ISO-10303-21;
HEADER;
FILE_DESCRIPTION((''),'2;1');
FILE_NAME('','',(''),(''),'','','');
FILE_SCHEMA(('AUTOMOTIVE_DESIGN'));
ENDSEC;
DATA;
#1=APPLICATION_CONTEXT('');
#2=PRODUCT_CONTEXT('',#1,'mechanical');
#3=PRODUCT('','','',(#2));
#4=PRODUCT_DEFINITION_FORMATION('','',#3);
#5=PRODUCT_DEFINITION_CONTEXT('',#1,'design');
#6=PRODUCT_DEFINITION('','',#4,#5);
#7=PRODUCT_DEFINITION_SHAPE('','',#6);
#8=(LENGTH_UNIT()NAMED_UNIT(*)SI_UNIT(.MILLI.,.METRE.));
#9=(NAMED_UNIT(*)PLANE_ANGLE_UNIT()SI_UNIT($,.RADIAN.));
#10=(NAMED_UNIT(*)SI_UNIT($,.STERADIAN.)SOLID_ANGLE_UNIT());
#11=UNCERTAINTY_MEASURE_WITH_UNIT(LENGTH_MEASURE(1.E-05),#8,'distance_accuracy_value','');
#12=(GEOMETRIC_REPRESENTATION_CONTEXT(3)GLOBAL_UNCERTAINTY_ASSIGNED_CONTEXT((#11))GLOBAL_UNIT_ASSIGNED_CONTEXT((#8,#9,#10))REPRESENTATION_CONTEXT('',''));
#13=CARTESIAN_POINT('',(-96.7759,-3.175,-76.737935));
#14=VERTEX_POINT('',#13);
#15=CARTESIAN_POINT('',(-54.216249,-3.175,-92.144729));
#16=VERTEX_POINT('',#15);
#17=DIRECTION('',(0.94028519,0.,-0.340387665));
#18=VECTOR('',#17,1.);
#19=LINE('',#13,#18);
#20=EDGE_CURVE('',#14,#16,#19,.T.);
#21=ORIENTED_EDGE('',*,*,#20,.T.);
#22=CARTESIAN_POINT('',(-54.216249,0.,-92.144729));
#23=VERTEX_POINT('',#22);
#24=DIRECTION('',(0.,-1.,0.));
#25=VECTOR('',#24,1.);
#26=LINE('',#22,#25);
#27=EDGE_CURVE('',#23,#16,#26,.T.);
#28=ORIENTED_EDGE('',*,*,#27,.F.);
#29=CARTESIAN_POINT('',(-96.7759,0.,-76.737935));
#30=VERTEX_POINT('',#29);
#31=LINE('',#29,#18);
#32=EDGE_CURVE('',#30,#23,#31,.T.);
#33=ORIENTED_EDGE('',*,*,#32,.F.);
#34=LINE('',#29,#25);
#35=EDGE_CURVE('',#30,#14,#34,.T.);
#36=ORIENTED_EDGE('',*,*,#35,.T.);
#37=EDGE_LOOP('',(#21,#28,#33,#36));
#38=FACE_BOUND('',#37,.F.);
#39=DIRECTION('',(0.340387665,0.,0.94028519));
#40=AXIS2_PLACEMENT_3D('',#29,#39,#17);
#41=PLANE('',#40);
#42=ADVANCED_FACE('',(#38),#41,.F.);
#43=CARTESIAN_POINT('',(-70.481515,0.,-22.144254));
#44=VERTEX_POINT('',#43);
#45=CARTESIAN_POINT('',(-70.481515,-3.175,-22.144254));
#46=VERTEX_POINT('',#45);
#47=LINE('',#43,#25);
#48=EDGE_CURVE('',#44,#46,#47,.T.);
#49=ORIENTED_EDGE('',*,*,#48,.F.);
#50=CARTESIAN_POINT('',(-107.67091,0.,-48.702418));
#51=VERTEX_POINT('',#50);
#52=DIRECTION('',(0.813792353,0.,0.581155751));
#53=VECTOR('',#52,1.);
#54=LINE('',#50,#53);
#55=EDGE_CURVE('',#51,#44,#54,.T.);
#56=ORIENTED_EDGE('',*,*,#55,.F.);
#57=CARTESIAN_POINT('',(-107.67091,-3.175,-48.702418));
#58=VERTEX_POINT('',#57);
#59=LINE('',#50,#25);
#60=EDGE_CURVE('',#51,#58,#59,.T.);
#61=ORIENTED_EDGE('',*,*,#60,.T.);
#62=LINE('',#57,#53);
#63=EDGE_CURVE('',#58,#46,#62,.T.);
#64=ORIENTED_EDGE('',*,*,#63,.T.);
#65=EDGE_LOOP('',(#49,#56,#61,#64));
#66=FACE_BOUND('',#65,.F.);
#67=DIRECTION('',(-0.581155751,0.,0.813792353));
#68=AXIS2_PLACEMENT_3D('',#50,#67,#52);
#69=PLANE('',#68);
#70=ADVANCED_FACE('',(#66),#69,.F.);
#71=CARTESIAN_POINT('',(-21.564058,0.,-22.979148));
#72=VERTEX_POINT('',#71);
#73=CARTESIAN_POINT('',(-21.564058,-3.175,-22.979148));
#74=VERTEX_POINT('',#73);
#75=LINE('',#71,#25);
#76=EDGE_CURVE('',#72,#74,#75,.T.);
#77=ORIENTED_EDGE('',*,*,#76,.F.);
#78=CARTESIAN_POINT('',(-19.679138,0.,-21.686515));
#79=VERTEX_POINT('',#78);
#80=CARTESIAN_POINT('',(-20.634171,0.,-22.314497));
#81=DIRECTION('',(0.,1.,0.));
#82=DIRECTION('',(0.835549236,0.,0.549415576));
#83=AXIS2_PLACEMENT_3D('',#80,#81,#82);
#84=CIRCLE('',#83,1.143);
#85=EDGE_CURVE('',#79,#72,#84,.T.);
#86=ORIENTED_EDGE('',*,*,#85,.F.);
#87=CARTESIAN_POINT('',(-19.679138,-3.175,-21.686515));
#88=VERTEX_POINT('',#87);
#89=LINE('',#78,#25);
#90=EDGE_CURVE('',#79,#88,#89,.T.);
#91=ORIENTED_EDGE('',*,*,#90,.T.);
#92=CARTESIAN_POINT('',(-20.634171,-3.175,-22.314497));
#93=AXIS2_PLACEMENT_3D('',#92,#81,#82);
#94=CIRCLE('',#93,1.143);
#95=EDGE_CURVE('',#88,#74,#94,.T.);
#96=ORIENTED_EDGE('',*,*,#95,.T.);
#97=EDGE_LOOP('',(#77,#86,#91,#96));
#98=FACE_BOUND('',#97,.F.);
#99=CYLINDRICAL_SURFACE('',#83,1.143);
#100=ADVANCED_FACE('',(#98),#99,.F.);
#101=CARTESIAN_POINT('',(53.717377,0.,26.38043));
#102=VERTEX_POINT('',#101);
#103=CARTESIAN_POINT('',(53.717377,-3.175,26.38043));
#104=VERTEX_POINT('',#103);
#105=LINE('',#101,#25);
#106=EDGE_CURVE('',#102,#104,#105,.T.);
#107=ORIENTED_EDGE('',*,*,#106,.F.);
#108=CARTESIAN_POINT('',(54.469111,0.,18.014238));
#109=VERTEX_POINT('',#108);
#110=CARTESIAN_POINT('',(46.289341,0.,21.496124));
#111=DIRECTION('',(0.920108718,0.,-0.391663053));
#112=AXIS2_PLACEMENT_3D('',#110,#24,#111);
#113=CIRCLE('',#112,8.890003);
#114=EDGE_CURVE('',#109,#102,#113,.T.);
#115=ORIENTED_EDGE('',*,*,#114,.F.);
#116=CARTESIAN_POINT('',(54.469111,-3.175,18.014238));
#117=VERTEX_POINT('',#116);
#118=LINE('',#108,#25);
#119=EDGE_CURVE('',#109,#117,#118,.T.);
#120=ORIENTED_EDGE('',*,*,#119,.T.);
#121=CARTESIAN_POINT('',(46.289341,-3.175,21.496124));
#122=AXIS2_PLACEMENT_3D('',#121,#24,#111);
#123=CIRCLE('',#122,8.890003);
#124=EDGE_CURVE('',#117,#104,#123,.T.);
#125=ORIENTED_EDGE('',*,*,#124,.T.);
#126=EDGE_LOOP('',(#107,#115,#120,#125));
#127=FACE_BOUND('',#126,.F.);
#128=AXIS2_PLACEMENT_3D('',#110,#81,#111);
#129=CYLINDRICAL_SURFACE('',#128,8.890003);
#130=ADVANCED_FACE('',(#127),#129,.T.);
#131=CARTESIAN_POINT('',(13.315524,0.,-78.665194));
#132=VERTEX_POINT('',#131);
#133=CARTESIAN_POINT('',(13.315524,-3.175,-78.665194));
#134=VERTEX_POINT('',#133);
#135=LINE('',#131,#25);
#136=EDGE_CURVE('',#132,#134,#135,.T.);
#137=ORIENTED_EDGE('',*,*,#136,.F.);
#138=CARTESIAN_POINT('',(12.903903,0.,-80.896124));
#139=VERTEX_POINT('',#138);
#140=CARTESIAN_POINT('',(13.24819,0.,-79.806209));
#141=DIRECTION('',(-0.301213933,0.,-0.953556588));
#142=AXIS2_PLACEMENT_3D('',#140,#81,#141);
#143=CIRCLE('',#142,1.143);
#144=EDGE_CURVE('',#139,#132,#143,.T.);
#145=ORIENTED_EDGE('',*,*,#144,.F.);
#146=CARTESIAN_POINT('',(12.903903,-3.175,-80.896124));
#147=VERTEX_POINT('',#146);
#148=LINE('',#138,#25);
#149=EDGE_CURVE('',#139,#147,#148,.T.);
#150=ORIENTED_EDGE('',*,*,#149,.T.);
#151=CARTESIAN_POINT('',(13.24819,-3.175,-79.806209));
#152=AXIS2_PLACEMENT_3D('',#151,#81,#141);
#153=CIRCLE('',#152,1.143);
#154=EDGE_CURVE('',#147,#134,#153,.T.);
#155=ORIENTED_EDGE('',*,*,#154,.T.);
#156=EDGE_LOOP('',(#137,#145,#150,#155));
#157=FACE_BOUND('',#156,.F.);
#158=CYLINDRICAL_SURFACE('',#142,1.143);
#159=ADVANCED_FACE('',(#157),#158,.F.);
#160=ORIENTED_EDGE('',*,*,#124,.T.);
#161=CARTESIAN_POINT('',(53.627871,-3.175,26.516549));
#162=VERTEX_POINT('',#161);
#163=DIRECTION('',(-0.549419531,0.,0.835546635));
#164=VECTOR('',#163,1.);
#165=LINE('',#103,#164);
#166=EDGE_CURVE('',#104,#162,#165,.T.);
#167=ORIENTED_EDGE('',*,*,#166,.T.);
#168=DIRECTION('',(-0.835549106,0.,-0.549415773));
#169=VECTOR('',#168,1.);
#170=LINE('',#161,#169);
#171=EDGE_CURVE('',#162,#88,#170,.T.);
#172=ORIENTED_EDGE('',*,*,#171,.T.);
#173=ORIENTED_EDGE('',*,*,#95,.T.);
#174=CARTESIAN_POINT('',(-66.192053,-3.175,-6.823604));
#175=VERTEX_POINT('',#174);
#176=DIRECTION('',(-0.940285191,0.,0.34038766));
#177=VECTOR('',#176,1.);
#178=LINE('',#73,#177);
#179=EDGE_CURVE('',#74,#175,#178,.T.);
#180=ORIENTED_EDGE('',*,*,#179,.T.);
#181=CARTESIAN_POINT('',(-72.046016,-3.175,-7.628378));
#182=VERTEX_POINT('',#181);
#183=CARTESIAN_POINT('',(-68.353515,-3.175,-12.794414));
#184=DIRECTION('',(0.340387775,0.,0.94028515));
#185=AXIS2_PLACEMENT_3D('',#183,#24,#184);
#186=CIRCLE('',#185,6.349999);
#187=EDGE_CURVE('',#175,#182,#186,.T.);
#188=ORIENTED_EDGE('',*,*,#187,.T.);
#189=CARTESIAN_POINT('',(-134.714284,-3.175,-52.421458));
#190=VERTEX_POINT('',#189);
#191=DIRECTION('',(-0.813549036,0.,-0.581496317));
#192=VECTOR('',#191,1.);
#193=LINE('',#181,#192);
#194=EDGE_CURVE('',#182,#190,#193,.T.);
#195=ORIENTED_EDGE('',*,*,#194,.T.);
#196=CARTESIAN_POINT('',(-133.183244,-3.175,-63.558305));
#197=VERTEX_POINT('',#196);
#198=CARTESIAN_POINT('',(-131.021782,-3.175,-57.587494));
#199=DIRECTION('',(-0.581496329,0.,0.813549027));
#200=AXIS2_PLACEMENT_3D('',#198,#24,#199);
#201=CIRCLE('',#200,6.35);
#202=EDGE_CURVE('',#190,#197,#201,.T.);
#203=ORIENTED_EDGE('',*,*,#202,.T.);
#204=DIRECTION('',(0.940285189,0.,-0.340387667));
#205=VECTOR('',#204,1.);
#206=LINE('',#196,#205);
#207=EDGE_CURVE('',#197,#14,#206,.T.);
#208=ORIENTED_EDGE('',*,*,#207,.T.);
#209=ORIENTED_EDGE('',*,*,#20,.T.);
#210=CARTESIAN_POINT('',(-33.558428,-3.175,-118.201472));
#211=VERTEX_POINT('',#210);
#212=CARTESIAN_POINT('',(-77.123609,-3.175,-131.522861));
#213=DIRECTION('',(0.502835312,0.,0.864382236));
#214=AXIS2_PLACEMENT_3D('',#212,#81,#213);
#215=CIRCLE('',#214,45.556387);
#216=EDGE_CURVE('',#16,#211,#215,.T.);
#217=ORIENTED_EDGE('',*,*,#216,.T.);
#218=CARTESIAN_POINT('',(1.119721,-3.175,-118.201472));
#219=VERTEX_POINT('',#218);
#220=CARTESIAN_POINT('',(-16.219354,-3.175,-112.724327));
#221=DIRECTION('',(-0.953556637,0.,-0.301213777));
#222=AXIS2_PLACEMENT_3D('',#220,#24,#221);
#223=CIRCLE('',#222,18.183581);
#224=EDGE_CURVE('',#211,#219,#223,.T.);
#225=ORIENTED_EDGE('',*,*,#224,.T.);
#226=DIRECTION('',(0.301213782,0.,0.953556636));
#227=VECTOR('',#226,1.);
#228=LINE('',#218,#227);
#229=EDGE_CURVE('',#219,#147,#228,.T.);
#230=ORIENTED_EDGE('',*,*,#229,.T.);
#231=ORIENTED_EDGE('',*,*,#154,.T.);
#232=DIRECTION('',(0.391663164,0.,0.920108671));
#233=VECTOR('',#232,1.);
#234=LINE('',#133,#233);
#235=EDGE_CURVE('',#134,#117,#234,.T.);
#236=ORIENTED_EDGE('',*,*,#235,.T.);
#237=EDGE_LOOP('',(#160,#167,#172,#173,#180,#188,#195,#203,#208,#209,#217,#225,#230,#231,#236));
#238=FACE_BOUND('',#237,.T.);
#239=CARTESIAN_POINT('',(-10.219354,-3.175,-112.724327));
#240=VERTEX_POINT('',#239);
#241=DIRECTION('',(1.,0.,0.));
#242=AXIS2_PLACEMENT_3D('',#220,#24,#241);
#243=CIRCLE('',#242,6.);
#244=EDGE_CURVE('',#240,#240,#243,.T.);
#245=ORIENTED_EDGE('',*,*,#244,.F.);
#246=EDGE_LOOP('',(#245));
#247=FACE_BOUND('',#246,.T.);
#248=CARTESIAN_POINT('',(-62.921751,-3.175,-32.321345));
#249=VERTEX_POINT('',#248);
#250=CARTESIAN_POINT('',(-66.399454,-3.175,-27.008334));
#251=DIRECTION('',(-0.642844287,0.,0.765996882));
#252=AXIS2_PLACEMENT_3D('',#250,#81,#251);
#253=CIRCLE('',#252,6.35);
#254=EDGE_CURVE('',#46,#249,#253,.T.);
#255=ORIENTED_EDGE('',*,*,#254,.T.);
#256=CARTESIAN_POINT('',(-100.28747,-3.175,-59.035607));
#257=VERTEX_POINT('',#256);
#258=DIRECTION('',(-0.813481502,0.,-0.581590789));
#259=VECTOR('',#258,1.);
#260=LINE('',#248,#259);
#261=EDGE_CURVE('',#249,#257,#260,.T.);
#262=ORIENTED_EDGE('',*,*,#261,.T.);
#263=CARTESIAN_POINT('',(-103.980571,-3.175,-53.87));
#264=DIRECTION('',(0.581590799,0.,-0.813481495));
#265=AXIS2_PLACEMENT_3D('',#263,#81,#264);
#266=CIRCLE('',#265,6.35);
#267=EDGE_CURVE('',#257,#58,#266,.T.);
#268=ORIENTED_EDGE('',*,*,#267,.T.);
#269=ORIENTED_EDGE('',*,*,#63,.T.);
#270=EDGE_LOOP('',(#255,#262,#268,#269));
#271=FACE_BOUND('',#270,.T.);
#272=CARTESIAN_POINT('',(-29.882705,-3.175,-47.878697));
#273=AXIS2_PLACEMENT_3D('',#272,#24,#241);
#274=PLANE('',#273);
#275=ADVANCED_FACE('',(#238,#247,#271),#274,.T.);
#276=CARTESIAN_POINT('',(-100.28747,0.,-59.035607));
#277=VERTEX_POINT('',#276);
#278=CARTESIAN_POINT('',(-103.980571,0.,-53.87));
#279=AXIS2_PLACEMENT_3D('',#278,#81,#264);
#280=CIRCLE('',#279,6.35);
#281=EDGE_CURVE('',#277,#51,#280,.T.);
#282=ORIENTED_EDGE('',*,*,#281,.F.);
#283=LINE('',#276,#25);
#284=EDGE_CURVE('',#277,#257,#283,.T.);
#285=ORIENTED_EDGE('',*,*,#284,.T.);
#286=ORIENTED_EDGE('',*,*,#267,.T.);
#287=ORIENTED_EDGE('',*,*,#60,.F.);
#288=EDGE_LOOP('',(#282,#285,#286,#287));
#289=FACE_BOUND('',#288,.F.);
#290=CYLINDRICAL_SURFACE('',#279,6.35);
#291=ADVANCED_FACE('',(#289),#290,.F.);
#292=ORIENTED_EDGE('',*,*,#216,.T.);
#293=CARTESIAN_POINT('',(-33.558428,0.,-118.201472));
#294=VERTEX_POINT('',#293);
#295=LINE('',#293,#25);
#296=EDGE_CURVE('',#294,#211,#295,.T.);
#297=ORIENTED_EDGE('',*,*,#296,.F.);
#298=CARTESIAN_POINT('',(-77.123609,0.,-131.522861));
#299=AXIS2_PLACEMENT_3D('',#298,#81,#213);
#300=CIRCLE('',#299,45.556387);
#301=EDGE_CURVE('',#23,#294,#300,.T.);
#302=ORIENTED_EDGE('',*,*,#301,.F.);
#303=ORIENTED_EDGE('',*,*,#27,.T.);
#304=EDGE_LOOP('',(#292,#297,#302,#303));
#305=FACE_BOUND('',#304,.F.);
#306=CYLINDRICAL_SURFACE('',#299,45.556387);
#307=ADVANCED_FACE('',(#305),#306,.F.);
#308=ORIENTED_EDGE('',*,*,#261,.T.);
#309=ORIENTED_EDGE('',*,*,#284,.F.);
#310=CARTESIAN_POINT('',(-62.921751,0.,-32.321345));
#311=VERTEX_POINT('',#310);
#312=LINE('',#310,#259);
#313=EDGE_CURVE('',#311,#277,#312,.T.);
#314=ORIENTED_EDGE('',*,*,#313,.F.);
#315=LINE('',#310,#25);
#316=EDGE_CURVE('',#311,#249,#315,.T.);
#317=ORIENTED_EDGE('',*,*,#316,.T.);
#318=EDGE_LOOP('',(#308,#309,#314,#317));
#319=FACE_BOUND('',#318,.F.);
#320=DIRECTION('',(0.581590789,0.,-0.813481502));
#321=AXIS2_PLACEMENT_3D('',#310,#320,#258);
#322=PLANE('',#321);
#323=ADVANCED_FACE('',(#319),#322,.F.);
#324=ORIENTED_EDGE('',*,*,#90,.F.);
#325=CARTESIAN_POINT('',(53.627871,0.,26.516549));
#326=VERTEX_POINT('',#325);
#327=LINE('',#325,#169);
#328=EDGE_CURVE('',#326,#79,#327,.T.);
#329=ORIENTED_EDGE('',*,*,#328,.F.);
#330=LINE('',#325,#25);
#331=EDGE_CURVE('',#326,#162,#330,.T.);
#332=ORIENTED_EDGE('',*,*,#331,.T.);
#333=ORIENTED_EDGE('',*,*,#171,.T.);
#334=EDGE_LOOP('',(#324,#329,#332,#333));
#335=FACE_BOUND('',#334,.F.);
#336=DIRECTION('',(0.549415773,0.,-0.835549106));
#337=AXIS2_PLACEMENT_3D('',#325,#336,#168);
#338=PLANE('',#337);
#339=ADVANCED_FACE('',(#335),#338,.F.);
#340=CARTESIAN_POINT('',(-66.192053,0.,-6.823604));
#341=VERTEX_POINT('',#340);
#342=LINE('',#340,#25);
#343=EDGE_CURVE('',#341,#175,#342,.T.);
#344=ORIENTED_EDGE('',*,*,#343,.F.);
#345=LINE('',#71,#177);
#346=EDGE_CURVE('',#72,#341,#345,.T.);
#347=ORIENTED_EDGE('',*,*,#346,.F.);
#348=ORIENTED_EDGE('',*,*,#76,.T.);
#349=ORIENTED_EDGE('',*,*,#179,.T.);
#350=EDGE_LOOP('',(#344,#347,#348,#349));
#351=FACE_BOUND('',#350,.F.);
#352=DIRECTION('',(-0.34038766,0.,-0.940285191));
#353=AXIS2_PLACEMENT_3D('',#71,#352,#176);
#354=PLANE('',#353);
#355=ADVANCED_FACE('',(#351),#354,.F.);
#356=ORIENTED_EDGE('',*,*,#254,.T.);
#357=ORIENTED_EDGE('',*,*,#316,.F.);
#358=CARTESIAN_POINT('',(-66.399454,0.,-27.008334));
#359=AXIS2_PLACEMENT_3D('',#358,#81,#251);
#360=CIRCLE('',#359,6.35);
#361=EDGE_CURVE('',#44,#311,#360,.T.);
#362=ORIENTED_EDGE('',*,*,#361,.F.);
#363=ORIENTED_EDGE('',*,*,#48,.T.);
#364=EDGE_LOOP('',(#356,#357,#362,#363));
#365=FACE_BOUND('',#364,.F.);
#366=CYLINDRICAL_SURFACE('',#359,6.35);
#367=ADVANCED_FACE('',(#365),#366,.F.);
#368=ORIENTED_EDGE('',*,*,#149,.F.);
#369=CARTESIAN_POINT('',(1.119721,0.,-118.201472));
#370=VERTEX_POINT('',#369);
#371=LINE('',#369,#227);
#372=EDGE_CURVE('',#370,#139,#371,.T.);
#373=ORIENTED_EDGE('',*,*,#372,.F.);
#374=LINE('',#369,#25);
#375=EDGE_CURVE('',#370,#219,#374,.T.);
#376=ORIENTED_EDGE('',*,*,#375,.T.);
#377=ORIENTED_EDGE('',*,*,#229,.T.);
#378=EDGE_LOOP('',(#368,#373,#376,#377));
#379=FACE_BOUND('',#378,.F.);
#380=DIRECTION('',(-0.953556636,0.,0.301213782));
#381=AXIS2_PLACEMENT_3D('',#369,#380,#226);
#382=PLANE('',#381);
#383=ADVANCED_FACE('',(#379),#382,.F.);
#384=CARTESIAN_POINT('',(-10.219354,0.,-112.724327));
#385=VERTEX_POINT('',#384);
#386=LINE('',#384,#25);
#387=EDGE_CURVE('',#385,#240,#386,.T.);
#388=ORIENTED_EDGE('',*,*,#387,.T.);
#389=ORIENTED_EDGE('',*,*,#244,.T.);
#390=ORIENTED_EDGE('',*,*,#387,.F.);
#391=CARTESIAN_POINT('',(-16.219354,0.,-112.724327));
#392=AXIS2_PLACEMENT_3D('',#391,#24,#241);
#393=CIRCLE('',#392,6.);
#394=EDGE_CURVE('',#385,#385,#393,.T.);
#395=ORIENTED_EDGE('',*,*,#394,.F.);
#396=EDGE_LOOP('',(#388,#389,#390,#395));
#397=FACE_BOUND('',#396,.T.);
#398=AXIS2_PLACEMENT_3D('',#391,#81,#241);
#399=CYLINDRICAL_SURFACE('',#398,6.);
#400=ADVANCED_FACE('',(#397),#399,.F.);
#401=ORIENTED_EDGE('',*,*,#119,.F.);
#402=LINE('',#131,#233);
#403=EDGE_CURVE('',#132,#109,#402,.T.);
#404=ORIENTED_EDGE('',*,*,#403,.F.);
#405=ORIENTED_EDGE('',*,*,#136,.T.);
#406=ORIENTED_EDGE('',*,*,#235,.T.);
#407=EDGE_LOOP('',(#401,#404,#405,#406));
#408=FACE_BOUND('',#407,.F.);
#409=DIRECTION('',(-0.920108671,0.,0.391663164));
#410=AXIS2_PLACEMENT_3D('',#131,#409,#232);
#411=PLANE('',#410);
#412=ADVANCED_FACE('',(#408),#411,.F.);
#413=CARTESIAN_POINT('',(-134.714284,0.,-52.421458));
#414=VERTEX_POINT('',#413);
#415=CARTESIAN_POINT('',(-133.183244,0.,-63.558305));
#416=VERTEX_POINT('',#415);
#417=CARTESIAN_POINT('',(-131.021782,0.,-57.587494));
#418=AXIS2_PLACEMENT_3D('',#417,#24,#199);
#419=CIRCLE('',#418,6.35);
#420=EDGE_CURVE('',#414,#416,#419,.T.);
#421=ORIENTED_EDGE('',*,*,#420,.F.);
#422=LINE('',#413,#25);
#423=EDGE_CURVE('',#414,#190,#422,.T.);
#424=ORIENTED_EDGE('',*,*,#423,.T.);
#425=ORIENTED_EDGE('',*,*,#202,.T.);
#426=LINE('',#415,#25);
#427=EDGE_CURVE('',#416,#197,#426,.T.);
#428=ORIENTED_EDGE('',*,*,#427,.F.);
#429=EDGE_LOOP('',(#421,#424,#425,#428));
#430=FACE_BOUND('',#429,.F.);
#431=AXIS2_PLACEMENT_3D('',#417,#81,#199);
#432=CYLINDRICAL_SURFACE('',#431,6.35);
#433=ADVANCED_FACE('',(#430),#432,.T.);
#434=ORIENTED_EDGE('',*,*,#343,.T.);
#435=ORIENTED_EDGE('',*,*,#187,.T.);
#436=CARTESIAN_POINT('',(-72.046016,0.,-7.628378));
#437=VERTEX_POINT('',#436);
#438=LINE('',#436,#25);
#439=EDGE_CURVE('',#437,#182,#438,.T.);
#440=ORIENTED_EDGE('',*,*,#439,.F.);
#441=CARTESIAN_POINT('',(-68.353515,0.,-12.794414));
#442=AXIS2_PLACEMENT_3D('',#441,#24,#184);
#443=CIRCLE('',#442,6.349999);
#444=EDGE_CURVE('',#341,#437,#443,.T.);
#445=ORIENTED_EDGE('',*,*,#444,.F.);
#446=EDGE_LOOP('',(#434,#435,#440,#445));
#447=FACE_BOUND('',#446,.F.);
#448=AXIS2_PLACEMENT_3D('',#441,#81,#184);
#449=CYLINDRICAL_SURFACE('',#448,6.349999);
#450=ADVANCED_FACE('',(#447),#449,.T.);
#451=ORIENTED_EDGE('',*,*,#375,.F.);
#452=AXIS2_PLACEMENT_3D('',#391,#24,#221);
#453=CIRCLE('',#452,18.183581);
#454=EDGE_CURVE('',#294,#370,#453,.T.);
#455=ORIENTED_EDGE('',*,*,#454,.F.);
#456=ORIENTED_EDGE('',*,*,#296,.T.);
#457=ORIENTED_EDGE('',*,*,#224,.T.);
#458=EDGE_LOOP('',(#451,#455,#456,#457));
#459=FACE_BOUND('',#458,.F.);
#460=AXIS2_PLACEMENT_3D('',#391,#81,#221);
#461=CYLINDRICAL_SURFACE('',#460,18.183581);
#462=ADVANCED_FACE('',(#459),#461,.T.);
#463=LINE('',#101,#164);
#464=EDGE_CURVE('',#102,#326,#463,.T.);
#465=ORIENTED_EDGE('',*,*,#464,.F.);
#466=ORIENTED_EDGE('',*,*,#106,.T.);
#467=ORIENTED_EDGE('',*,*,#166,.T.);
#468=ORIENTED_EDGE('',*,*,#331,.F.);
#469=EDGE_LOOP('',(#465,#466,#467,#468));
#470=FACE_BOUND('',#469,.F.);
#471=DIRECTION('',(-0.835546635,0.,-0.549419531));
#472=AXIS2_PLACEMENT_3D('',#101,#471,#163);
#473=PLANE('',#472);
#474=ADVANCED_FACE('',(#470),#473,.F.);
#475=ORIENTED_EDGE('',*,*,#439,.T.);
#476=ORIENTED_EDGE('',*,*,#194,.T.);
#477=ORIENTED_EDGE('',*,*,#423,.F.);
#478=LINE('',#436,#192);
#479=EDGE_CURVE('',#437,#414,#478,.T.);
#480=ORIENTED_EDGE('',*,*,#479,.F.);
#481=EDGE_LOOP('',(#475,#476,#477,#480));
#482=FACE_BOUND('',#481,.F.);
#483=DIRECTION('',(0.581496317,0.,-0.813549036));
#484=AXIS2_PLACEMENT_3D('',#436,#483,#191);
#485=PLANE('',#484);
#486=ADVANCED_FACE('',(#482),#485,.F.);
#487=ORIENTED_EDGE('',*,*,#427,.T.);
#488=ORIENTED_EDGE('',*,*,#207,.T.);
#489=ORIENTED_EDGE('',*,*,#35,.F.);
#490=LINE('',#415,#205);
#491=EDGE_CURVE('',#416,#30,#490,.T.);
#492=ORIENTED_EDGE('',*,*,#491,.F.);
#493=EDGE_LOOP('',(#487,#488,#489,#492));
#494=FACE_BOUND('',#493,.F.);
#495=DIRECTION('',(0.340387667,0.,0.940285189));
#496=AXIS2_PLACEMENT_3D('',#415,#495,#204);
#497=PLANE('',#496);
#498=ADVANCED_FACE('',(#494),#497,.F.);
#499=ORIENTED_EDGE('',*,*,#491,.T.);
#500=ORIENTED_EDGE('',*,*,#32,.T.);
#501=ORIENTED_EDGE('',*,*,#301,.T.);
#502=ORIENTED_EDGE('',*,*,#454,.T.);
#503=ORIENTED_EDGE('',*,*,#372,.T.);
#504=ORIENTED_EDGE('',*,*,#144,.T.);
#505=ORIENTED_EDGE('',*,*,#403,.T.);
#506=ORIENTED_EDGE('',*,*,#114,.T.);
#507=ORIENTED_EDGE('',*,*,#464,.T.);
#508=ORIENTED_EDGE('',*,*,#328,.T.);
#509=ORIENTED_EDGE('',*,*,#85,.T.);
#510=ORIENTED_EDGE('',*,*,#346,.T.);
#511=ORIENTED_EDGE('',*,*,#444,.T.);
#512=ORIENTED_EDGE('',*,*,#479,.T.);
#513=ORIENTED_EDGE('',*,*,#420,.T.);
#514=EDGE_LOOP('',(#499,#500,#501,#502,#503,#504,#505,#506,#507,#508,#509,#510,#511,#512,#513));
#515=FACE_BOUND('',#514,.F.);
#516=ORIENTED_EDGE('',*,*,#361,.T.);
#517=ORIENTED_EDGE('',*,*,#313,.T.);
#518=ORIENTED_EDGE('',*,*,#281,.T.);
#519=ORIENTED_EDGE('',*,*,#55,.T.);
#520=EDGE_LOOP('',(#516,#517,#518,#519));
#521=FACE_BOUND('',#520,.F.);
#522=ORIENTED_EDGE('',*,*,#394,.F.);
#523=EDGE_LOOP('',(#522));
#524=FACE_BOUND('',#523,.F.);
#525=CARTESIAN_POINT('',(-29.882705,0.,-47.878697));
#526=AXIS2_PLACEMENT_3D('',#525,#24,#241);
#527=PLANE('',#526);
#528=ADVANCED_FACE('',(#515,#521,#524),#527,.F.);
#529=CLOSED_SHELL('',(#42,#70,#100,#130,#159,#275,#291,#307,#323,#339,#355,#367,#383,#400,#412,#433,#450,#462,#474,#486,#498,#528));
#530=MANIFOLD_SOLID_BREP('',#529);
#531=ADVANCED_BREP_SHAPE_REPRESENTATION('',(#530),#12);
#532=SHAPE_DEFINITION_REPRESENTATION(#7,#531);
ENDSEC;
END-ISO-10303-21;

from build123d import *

# Parameters (mm, degrees)
F0_R     = 6
F1_DEPTH = 3.175


with BuildPart() as f1:
    # F0 (on Front) → F1 (new body)
    with BuildSketch(Plane.XZ):
        with BuildLine():
            Line((53.717377, 26.38043), (53.627871, 26.516549))
            Line((53.627871, 26.516549), (-19.679138, -21.686515))
            ThreePointArc((-19.679138, -21.686515), (-19.987733, -23.257136), (-21.564058, -22.979148))
            Line((-21.564058, -22.979148), (-66.192053, -6.823604))
            ThreePointArc((-66.192053, -6.823604), (-69.218348, -6.503583), (-72.046016, -7.628378))
            Line((-72.046016, -7.628378), (-134.714284, -52.421458))
            ThreePointArc((-134.714284, -52.421458), (-137.312614, -58.452327), (-133.183244, -63.558305))
            Line((-133.183244, -63.558305), (-96.7759, -76.737935))
            Line((-96.7759, -76.737935), (-54.216249, -92.144729))
            ThreePointArc((-54.216249, -92.144729), (-41.425036, -103.220983), (-33.558428, -118.201472))
            ThreePointArc((-33.558428, -118.201472), (-16.219354, -130.907908), (1.119721, -118.201472))
            Line((1.119721, -118.201472), (12.903903, -80.896124))
            ThreePointArc((12.903903, -80.896124), (12.124163, -79.598818), (13.315524, -78.665194))
            Line((13.315524, -78.665194), (54.469111, 18.014238))
            ThreePointArc((54.469111, 18.014238), (55.143673, 22.291719), (53.717377, 26.38043))
        make_face()
        with Locations((-16.219354, -112.724327)):
            Circle(F0_R, mode=Mode.SUBTRACT)
        with BuildLine():
            ThreePointArc((-100.28747, -59.035607), (-109.147166, -57.56172), (-107.67091, -48.702418))
            Line((-107.67091, -48.702418), (-70.481515, -22.144254))
            ThreePointArc((-70.481515, -22.144254), (-61.301944, -23.221793), (-62.921751, -32.321345))
            Line((-62.921751, -32.321345), (-100.28747, -59.035607))
        make_face(mode=Mode.SUBTRACT)
    extrude(amount=F1_DEPTH)


solid = f1.part
